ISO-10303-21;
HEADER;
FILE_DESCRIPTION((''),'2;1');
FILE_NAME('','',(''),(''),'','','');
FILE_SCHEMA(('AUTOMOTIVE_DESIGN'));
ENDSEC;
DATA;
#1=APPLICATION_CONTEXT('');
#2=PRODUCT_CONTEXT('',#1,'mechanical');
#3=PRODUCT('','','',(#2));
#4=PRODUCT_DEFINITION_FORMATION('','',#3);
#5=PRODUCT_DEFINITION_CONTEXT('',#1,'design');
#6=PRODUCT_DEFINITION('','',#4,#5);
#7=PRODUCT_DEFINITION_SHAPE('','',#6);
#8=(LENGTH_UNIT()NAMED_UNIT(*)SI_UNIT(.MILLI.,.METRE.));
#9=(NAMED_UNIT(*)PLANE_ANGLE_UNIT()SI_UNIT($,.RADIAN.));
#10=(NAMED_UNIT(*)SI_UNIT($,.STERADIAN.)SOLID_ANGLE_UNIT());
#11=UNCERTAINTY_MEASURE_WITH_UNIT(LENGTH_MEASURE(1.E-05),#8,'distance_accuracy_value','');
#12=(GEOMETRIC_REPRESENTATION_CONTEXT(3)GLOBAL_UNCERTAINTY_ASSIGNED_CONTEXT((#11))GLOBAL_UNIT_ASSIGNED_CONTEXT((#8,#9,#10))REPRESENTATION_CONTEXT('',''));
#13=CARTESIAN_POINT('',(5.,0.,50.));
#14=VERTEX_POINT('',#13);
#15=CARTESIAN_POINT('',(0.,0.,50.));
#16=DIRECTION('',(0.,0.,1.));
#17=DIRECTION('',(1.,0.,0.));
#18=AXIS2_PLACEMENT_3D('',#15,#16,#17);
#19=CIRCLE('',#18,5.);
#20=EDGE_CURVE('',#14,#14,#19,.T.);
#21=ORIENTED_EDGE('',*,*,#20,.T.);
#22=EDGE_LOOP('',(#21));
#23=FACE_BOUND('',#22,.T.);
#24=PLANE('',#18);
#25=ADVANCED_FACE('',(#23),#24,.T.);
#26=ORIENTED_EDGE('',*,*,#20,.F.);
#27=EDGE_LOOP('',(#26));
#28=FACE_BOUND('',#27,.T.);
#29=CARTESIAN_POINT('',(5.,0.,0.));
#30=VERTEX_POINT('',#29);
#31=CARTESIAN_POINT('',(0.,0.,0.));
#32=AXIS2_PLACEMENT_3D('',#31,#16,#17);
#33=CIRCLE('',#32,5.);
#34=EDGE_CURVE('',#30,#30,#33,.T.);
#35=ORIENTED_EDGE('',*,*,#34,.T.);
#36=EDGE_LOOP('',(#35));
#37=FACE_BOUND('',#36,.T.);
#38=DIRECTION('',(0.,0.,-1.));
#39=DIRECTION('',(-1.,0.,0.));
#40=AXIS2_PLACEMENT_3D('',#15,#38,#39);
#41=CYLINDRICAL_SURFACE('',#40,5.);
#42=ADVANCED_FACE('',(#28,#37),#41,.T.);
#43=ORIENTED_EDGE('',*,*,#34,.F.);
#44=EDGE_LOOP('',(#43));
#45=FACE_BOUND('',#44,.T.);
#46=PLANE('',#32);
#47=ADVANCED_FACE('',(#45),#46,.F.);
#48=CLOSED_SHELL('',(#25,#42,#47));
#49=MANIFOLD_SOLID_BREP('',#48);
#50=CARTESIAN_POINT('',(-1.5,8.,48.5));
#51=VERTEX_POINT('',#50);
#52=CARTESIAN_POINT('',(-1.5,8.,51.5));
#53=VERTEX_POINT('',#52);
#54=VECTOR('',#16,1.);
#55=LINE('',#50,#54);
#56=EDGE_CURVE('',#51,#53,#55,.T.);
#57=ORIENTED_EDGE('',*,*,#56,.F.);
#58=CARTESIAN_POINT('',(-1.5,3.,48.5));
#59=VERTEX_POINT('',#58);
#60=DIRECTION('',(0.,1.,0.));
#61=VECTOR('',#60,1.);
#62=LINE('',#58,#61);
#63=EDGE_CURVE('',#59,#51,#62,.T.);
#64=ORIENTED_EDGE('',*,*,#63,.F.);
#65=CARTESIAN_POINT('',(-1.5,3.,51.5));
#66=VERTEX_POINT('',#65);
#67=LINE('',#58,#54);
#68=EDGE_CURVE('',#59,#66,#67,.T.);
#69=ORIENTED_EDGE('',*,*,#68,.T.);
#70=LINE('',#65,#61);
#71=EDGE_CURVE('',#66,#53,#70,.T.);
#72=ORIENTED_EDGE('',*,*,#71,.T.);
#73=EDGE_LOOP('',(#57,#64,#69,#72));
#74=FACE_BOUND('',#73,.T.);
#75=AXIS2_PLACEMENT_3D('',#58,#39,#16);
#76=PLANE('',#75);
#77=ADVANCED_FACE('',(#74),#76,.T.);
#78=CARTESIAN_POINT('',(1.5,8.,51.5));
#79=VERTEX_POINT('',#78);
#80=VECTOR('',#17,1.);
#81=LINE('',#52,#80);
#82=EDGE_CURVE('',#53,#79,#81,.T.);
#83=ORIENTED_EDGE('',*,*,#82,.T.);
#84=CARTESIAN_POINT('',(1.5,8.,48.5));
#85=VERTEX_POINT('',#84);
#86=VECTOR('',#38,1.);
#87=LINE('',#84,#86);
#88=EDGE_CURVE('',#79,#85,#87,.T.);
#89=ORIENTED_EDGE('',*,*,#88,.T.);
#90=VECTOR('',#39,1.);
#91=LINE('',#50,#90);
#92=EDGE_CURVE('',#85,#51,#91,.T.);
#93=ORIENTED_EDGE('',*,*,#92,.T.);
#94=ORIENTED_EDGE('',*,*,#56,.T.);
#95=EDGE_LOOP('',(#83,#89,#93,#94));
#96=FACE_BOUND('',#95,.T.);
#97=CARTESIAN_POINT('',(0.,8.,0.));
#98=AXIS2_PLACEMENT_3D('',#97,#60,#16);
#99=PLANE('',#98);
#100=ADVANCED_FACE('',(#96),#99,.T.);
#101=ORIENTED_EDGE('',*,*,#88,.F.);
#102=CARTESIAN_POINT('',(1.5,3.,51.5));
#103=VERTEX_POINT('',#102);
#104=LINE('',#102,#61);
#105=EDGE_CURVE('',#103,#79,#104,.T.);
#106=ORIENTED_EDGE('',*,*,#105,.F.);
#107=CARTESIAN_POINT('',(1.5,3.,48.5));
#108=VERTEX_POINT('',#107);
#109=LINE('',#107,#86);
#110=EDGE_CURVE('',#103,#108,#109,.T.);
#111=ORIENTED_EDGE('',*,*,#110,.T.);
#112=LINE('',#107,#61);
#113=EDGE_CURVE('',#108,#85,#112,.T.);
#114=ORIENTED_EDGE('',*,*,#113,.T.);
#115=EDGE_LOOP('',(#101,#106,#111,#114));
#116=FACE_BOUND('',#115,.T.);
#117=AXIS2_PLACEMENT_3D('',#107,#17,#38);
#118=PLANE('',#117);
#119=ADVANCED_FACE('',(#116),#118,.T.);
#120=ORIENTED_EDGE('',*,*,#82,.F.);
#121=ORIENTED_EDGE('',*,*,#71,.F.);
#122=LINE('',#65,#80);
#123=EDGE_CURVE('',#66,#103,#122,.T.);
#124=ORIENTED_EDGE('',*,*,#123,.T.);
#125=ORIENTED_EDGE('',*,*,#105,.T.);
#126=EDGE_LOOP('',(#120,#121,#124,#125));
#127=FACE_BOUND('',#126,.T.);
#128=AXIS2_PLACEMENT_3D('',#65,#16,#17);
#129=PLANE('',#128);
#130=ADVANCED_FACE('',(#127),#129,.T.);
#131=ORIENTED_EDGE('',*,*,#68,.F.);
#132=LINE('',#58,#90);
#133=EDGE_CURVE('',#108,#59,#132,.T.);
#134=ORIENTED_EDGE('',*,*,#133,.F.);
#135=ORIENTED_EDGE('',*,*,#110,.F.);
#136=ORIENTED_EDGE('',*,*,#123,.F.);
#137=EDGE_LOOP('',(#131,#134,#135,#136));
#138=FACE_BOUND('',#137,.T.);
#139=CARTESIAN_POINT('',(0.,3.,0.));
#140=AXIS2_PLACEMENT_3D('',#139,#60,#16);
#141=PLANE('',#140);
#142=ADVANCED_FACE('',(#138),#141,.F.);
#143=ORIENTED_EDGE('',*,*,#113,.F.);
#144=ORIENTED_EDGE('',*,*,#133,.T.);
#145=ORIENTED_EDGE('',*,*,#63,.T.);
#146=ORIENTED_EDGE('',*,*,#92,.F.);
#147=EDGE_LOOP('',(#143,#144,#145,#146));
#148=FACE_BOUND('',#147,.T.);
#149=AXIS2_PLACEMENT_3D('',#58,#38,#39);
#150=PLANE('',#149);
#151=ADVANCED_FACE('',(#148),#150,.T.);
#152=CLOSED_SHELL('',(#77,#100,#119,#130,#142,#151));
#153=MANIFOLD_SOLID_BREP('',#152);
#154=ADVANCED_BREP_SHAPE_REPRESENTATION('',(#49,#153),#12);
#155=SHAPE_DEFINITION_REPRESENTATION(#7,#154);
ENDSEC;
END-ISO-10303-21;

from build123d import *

# Parameters (mm, degrees)
SKIZZE1_R                            = 5
AUFSATZ_LINEAR_AUSTRAGEN1_DEPTH      = 50
SKIZZE8_W                            = 3
SKIZZE8_H                            = 3
AUFSATZ_LINEAR_AUSTRAGEN3_DEPTH      = 3
AUFSATZ_LINEAR_AUSTRAGEN3_DEPTH_BACK = 2


with BuildPart() as part:
    # Skizze1 → Aufsatz-Linear austragen1 (new body)
    with BuildSketch(Plane.XY):
        Circle(SKIZZE1_R)
    extrude(amount=AUFSATZ_LINEAR_AUSTRAGEN1_DEPTH)


with BuildPart() as body_2:
    # Skizze8 → Aufsatz-Linear austragen3 (new body, two sides)
    with BuildSketch(Plane(origin=(0, 5, 0), x_dir=(1, 0, 0), z_dir=(0, 1, 0))) as aufsatz_linear_austragen3_sk:
        with Locations((0, -50)):
            Rectangle(SKIZZE8_W, SKIZZE8_H)
    extrude(amount=AUFSATZ_LINEAR_AUSTRAGEN3_DEPTH)
    extrude(aufsatz_linear_austragen3_sk.sketch, amount=-AUFSATZ_LINEAR_AUSTRAGEN3_DEPTH_BACK)


solid = Compound([part.part, body_2.part])
